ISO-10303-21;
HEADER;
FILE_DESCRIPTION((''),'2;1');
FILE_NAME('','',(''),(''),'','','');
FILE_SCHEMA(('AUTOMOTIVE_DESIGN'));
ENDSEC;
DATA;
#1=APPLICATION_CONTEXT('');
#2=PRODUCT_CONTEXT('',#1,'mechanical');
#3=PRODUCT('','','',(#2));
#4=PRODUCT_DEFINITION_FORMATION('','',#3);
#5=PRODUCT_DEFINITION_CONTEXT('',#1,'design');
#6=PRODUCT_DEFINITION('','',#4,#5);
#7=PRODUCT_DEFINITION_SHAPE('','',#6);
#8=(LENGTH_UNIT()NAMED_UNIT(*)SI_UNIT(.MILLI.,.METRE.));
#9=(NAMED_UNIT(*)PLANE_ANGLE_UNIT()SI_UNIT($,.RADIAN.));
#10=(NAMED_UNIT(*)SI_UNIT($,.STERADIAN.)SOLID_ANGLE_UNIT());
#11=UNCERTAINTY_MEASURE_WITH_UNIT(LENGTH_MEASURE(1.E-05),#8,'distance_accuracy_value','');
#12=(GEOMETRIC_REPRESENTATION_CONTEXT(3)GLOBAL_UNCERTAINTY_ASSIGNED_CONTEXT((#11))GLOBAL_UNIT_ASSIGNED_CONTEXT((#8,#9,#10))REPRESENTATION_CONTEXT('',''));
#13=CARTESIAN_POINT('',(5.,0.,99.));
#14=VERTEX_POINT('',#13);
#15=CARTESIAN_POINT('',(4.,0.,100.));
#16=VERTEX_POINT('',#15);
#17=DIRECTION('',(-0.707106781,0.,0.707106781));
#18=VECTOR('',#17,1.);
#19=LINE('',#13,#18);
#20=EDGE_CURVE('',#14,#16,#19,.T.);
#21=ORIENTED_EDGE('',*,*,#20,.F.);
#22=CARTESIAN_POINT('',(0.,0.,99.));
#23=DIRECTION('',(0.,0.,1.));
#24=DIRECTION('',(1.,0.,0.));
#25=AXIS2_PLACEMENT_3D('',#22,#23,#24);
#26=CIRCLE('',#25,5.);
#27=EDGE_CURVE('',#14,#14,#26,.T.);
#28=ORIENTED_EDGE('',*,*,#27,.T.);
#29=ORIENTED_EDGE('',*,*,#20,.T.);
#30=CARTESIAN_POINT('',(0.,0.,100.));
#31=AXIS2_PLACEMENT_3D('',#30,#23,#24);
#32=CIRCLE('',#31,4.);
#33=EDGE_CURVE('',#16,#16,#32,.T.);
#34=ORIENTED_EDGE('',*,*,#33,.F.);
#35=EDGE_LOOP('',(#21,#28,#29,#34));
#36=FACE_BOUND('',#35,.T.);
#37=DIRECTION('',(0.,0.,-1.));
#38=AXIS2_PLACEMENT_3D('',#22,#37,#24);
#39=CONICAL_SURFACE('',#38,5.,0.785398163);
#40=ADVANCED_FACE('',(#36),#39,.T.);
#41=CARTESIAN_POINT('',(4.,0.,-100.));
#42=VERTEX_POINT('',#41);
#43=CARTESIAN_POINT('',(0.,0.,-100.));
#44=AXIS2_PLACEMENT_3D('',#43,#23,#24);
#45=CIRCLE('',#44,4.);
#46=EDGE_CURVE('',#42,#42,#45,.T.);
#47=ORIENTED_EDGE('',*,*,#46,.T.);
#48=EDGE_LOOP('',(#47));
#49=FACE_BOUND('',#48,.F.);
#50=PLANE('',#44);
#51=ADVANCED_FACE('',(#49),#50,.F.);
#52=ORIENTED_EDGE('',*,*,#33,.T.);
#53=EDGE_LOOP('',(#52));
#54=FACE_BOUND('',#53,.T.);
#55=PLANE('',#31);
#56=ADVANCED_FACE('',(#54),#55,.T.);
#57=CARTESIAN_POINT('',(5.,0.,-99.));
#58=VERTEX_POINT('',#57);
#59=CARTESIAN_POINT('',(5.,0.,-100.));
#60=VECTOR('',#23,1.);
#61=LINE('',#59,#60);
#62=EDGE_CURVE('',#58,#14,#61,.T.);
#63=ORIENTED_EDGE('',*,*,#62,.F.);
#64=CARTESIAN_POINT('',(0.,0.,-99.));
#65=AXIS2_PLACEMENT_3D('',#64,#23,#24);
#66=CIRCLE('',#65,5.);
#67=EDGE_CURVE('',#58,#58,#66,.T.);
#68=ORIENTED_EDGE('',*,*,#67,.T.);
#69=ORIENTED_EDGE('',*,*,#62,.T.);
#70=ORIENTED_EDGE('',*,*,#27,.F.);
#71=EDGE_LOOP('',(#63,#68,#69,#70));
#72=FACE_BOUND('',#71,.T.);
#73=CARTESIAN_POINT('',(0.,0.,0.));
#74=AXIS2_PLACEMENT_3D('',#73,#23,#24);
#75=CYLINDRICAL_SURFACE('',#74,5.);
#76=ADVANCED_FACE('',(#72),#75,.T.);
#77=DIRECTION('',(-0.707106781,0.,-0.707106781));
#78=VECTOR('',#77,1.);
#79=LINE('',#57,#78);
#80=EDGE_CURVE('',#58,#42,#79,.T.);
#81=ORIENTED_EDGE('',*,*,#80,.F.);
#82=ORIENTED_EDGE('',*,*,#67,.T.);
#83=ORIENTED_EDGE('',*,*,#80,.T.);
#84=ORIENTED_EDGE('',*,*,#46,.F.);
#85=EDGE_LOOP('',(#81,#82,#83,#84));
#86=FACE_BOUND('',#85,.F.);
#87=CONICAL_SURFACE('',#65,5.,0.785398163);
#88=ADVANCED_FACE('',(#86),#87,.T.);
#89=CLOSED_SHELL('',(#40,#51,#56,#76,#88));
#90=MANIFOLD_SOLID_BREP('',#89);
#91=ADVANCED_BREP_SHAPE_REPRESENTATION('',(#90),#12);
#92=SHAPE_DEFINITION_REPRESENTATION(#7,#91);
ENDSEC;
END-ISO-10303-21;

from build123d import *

# Parameters (mm, degrees)
SKETCH1_R      = 5
EXTRUDE1_DEPTH = 100
CHAMFER1_SIZE  = 1


with BuildPart() as part:
    # Sketch1 → Extrude1 (new body, symmetric)
    with BuildSketch(Plane.XY):
        Circle(SKETCH1_R)
    extrude(amount=EXTRUDE1_DEPTH, both=True)

    # Chamfer1
    chamfer1_edges = [part.edges().sort_by_distance(p)[0] for p in [
        (-5, 0, -100),
        (-5, 0, 100),
    ]]
    chamfer(chamfer1_edges, length=CHAMFER1_SIZE)


solid = part.part
